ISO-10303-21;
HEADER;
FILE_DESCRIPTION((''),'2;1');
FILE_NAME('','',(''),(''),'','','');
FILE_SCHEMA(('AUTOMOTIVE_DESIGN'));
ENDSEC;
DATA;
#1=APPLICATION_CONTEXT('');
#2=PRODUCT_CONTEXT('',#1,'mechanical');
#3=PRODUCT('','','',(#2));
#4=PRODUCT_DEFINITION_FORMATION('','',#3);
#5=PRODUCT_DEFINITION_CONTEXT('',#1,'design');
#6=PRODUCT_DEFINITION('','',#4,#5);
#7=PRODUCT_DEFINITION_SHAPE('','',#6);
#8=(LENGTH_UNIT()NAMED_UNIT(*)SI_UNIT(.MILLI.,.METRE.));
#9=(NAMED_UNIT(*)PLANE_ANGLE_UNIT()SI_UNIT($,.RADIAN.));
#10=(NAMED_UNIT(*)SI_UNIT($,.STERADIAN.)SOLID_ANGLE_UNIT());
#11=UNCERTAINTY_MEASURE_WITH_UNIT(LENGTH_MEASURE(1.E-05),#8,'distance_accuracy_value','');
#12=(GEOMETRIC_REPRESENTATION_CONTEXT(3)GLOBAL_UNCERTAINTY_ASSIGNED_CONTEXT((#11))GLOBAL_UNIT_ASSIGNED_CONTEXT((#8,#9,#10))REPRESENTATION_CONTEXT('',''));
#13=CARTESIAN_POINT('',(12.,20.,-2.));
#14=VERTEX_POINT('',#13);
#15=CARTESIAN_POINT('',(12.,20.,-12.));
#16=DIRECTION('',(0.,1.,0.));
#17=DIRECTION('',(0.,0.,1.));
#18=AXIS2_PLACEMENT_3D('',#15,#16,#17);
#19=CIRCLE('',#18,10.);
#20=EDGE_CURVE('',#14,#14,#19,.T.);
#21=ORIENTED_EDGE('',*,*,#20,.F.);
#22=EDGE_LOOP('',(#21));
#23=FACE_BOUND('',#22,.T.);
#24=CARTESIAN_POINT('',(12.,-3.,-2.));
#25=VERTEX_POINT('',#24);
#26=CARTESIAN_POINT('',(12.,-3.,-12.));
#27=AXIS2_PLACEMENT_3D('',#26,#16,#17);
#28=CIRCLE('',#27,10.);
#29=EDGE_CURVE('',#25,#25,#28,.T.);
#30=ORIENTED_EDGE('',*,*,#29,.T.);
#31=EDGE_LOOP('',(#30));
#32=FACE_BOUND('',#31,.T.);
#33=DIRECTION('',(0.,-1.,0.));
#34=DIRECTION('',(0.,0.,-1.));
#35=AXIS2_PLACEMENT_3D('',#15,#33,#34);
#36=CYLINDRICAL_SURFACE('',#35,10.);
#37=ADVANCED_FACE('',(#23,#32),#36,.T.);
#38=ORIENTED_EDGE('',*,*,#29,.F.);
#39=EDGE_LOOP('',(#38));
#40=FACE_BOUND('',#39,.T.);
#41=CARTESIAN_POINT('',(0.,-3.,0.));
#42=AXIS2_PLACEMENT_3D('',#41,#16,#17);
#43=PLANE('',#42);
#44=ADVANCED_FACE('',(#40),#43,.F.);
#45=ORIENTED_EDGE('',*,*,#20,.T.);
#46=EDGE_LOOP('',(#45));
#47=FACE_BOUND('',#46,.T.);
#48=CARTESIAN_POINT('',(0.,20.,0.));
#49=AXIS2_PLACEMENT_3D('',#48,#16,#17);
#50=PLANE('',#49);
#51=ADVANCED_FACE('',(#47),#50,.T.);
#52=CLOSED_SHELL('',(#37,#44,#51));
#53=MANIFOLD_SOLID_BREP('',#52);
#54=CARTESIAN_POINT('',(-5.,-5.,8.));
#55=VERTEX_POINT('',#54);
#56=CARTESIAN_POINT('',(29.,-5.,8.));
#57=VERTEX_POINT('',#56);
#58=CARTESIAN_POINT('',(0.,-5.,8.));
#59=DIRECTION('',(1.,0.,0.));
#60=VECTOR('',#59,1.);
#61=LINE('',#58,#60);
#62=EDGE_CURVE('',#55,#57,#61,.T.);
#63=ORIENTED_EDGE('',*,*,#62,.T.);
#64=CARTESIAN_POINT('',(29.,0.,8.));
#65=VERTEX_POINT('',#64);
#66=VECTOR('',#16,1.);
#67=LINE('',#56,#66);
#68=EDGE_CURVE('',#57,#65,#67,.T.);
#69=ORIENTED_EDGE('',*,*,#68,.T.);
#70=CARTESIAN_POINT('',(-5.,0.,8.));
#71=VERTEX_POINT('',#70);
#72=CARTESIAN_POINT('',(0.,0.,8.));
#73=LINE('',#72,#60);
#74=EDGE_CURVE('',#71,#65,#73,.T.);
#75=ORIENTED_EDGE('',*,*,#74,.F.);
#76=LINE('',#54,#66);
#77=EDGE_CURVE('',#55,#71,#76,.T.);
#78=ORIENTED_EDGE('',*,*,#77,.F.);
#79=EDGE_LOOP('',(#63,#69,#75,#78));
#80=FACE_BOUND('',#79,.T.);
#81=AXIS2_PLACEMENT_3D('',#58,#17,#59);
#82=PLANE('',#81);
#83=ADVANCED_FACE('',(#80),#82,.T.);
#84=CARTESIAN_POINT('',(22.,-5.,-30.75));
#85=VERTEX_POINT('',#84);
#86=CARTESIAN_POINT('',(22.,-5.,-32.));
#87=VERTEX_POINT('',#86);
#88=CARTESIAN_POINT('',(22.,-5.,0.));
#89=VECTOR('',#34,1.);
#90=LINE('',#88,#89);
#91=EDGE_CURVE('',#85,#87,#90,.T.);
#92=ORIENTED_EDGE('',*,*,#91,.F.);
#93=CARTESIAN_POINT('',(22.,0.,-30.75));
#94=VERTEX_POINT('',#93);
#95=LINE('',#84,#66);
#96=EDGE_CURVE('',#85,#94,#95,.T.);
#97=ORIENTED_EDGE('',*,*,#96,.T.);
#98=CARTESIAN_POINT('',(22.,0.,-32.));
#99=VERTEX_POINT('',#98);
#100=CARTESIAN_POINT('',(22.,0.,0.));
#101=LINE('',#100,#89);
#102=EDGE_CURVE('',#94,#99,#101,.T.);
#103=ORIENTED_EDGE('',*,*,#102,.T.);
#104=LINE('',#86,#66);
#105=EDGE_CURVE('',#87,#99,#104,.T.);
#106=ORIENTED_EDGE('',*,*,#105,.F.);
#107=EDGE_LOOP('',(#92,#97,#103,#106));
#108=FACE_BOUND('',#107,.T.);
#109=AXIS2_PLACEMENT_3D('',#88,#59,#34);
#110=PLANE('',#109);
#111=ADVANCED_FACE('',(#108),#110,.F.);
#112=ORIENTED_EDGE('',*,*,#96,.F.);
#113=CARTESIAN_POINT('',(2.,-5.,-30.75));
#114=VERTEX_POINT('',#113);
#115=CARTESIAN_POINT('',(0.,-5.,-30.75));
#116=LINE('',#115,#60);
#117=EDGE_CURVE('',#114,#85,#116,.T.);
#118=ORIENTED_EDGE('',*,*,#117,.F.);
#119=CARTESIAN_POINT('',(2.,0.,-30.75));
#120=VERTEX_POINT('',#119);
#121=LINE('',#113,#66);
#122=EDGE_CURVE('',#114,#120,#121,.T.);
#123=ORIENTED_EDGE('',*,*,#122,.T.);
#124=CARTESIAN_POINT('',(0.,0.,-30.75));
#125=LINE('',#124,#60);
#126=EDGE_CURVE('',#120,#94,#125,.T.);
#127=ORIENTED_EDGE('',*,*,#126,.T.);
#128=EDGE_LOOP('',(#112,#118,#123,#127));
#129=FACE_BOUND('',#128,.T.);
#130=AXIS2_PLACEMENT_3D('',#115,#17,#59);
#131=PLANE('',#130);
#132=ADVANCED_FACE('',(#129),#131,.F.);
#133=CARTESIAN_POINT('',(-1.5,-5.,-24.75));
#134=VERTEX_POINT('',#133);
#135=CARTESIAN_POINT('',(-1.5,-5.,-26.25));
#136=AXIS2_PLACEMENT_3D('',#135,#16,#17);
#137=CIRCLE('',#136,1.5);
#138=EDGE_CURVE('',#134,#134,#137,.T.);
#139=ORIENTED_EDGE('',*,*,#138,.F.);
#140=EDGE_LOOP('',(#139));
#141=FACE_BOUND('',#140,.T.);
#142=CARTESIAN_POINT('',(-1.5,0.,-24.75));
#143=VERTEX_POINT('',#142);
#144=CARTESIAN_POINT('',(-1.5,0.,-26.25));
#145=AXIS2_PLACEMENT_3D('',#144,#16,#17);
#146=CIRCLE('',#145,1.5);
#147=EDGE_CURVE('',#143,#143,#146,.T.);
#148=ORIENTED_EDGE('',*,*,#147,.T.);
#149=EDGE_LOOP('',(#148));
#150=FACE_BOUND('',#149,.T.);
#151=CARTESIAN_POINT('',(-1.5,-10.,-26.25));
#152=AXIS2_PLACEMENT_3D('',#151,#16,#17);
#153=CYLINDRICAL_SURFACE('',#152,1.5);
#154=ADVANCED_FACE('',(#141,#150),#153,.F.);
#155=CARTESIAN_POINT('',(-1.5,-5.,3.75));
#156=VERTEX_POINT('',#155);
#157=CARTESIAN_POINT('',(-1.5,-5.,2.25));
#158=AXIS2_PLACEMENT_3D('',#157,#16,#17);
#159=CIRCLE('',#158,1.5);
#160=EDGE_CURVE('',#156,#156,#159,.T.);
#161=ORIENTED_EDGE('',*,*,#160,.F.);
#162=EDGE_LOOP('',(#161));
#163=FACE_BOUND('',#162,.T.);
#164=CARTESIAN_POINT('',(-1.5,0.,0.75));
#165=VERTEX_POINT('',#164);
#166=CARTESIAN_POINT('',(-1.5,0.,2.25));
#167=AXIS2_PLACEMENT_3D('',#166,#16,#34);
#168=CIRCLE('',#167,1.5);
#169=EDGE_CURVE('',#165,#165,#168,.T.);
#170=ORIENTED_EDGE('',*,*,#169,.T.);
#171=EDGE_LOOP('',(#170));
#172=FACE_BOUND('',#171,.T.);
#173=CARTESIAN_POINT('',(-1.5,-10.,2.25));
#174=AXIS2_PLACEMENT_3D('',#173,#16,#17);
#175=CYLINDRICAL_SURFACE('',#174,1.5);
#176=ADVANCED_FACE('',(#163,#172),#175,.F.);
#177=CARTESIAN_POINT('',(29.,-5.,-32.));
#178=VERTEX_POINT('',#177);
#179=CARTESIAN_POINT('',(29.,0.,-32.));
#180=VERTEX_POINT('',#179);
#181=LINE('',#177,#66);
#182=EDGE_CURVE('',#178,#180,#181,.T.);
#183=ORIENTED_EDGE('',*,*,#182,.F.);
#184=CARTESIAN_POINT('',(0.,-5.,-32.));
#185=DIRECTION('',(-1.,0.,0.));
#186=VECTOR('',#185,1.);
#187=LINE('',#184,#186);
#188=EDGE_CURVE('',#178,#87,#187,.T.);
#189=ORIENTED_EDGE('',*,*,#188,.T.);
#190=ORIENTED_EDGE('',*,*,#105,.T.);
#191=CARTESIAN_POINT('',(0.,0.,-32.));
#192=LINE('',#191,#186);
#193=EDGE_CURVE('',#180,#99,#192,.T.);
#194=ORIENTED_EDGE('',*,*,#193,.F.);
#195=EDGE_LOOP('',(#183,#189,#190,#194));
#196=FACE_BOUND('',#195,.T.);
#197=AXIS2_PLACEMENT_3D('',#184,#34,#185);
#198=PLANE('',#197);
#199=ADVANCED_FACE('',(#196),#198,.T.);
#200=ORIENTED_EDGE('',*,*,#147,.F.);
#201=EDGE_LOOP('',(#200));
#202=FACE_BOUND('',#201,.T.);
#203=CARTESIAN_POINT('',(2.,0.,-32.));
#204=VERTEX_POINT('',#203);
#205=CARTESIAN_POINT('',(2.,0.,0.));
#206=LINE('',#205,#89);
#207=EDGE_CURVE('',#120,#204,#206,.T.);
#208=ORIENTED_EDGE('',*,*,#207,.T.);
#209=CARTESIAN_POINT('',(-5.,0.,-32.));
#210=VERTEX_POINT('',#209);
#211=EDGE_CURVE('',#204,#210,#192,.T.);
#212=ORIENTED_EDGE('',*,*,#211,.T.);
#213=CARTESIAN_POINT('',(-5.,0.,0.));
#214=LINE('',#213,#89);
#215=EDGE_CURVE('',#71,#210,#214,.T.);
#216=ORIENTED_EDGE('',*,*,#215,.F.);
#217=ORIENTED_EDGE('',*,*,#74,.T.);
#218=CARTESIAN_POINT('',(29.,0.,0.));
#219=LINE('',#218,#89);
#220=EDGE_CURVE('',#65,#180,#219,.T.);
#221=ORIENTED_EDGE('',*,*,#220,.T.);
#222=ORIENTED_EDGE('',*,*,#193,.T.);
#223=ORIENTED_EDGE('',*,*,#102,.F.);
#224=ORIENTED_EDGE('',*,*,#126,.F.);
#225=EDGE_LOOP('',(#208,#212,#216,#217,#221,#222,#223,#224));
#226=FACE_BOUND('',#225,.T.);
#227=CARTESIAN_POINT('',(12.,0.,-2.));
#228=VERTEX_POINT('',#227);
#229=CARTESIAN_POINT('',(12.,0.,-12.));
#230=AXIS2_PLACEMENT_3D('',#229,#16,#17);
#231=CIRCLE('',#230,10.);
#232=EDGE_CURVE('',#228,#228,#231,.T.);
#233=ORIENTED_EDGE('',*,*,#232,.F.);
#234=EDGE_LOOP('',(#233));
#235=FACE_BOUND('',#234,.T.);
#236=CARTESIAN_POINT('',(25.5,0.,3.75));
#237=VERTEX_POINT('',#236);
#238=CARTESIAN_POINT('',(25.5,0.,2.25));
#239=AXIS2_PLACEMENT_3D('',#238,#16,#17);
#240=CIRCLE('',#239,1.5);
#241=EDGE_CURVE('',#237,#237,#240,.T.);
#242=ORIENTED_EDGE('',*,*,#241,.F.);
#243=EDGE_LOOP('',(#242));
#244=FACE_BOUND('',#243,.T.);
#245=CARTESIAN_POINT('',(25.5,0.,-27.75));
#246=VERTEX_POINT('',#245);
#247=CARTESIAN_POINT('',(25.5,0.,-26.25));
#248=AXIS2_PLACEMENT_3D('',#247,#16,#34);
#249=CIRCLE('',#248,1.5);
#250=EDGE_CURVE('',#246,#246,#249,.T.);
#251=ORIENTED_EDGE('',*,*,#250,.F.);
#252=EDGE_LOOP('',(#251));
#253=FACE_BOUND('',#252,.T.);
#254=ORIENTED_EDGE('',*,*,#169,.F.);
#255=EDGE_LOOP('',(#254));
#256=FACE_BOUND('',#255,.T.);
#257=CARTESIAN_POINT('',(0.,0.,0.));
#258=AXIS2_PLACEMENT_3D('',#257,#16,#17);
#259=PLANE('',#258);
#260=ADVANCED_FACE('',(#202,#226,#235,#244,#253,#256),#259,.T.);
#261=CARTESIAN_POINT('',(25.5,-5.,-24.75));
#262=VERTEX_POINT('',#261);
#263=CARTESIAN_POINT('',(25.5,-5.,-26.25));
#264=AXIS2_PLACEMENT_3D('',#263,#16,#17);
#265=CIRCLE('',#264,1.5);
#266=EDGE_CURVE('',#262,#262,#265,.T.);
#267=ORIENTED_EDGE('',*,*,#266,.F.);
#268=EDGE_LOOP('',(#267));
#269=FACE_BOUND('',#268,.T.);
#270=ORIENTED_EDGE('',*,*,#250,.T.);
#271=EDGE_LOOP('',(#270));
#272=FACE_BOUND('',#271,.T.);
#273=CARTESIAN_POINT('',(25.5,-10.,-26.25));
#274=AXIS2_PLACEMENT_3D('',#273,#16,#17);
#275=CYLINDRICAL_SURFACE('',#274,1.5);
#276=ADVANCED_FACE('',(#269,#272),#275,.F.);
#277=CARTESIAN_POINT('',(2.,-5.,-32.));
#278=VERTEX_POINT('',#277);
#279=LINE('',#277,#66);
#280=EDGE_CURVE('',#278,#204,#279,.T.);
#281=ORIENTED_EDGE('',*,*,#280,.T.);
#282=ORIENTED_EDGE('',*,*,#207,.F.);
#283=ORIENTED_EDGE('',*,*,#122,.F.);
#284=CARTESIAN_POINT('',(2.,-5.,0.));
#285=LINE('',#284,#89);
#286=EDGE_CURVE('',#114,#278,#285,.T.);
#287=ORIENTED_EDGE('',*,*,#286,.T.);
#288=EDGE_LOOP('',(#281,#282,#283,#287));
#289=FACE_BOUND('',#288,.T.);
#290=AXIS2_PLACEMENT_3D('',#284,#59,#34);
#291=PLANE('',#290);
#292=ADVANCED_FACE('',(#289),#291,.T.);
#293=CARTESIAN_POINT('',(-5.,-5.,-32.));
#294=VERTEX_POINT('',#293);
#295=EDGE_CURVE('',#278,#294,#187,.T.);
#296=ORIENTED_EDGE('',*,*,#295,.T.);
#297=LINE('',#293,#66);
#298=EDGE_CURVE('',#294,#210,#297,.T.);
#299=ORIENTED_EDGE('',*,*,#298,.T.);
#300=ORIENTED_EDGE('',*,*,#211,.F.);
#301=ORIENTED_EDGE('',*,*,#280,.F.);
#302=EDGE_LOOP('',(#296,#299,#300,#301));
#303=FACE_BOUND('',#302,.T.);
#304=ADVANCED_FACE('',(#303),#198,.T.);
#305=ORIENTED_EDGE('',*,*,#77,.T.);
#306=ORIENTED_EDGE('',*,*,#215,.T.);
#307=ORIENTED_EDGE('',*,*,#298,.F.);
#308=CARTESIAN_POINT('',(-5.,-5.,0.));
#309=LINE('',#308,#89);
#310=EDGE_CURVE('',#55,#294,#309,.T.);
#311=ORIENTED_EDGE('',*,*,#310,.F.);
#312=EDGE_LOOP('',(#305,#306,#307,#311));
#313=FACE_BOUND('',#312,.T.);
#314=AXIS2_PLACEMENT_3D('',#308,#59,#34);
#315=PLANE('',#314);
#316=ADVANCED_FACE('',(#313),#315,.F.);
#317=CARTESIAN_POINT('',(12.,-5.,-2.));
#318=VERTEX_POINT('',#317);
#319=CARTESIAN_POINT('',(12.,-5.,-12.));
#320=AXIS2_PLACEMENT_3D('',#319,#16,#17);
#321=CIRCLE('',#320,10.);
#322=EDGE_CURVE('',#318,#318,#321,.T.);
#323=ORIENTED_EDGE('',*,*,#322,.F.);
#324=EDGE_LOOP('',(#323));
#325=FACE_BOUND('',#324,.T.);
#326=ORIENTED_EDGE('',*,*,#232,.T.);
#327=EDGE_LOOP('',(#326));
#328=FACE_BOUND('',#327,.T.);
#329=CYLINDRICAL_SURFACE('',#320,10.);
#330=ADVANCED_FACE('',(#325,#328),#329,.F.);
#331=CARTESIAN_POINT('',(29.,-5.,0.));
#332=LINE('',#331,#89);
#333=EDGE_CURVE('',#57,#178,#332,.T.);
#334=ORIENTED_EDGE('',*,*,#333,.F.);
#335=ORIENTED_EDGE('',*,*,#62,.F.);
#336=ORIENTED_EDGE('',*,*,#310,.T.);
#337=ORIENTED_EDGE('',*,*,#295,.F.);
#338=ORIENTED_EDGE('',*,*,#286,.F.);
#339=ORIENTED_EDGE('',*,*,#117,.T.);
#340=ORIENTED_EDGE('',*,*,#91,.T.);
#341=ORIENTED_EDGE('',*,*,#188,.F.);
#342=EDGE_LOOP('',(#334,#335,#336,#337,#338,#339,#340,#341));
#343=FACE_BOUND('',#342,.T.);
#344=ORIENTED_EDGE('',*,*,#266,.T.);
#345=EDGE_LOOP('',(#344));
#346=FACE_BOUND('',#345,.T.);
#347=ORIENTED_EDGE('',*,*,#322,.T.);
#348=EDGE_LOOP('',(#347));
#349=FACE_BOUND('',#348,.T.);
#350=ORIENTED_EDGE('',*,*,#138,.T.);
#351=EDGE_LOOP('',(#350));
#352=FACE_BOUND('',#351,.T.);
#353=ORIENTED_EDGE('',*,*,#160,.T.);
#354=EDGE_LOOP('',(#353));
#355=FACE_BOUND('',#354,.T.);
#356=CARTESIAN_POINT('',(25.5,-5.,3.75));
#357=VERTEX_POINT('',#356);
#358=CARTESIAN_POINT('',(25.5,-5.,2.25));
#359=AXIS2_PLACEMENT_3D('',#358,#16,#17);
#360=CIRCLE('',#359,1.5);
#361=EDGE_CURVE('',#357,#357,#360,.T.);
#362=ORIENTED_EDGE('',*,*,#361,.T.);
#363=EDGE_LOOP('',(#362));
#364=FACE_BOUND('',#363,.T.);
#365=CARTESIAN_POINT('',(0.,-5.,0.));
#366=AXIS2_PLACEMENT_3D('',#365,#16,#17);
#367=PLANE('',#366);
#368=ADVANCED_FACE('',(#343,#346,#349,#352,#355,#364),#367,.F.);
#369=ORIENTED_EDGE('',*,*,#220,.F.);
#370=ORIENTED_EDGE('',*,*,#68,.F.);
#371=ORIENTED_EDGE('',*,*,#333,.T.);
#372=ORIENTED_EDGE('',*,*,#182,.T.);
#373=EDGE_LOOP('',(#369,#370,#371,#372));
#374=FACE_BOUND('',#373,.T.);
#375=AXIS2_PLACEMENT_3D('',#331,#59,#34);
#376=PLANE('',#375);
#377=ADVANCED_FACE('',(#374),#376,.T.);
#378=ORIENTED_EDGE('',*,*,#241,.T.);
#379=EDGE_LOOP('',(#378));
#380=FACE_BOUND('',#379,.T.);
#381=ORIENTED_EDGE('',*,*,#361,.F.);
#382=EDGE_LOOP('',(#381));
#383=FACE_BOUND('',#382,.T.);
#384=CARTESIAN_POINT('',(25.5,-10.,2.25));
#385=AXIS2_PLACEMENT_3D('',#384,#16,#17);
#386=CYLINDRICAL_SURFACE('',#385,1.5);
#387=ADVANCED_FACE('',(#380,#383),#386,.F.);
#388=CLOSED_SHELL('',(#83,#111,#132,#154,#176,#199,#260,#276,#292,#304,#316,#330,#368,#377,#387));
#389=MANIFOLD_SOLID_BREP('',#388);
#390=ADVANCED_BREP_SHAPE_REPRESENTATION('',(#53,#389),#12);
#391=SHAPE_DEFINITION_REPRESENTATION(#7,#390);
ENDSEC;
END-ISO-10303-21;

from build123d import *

# Parameters (mm, degrees)
SKETCH_1_R          = 10
EXTRUDE_1_DEPTH     = 20
EXTRUDE_START       = -5
SKETCH_4_R          = 10
EXTRUDE_3_DEPTH     = 5
EXTRUDE_START_2     = -3
SKETCH_4_4_R        = 10
EXTRUDE_4_DEPTH     = 3
SKETCH_5_R          = 1.5
CUT_EXTRUDE_1_DEPTH = 10


with BuildPart() as part:
    # 草图1 → 凸台-拉伸1 (new body)
    with BuildSketch(Plane(origin=(0, 0, 0), x_dir=(1, 0, 0), z_dir=(0, 1, 0))):
        with Locations((12, 12)):
            Circle(SKETCH_1_R)
    extrude(amount=EXTRUDE_1_DEPTH)

    # 草图4<4> → 凸台-拉伸4 (add)
    with BuildSketch(Plane(origin=(0, 0, 0), x_dir=(1, 0, 0), z_dir=(0, 1, 0)).offset(EXTRUDE_START_2)):
        with Locations((12, 12)):
            Circle(SKETCH_4_4_R)
    extrude(amount=EXTRUDE_4_DEPTH)


with BuildPart() as body_2:
    # 草图4 → 凸台-拉伸3 (new body)
    with BuildSketch(Plane(origin=(0, 0, 0), x_dir=(1, 0, 0), z_dir=(0, 1, 0)).offset(EXTRUDE_START)):
        Polygon((29, 32), (22, 32), (22, 30.75), (2, 30.75), (2, 32), (-5, 32), (-5, -8), (29, -8), align=None)
        with Locations((12, 12)):
            Circle(SKETCH_4_R, mode=Mode.SUBTRACT)
    extrude(amount=EXTRUDE_3_DEPTH)

    # 草图5 → 切除-拉伸1 (cut)
    with BuildSketch(Plane(origin=(0, 0, 0), x_dir=(1, 0, 0), z_dir=(0, 1, 0))):
        with Locations((-1.5, 26.25)):
            Circle(SKETCH_5_R)
        with Locations((-1.5, -2.25)):
            Circle(SKETCH_5_R)
        with Locations((25.5, -2.25)):
            Circle(SKETCH_5_R)
        with Locations((25.5, 26.25)):
            Circle(SKETCH_5_R)
    extrude(amount=-CUT_EXTRUDE_1_DEPTH, mode=Mode.SUBTRACT)


solid = Compound([part.part, body_2.part])
